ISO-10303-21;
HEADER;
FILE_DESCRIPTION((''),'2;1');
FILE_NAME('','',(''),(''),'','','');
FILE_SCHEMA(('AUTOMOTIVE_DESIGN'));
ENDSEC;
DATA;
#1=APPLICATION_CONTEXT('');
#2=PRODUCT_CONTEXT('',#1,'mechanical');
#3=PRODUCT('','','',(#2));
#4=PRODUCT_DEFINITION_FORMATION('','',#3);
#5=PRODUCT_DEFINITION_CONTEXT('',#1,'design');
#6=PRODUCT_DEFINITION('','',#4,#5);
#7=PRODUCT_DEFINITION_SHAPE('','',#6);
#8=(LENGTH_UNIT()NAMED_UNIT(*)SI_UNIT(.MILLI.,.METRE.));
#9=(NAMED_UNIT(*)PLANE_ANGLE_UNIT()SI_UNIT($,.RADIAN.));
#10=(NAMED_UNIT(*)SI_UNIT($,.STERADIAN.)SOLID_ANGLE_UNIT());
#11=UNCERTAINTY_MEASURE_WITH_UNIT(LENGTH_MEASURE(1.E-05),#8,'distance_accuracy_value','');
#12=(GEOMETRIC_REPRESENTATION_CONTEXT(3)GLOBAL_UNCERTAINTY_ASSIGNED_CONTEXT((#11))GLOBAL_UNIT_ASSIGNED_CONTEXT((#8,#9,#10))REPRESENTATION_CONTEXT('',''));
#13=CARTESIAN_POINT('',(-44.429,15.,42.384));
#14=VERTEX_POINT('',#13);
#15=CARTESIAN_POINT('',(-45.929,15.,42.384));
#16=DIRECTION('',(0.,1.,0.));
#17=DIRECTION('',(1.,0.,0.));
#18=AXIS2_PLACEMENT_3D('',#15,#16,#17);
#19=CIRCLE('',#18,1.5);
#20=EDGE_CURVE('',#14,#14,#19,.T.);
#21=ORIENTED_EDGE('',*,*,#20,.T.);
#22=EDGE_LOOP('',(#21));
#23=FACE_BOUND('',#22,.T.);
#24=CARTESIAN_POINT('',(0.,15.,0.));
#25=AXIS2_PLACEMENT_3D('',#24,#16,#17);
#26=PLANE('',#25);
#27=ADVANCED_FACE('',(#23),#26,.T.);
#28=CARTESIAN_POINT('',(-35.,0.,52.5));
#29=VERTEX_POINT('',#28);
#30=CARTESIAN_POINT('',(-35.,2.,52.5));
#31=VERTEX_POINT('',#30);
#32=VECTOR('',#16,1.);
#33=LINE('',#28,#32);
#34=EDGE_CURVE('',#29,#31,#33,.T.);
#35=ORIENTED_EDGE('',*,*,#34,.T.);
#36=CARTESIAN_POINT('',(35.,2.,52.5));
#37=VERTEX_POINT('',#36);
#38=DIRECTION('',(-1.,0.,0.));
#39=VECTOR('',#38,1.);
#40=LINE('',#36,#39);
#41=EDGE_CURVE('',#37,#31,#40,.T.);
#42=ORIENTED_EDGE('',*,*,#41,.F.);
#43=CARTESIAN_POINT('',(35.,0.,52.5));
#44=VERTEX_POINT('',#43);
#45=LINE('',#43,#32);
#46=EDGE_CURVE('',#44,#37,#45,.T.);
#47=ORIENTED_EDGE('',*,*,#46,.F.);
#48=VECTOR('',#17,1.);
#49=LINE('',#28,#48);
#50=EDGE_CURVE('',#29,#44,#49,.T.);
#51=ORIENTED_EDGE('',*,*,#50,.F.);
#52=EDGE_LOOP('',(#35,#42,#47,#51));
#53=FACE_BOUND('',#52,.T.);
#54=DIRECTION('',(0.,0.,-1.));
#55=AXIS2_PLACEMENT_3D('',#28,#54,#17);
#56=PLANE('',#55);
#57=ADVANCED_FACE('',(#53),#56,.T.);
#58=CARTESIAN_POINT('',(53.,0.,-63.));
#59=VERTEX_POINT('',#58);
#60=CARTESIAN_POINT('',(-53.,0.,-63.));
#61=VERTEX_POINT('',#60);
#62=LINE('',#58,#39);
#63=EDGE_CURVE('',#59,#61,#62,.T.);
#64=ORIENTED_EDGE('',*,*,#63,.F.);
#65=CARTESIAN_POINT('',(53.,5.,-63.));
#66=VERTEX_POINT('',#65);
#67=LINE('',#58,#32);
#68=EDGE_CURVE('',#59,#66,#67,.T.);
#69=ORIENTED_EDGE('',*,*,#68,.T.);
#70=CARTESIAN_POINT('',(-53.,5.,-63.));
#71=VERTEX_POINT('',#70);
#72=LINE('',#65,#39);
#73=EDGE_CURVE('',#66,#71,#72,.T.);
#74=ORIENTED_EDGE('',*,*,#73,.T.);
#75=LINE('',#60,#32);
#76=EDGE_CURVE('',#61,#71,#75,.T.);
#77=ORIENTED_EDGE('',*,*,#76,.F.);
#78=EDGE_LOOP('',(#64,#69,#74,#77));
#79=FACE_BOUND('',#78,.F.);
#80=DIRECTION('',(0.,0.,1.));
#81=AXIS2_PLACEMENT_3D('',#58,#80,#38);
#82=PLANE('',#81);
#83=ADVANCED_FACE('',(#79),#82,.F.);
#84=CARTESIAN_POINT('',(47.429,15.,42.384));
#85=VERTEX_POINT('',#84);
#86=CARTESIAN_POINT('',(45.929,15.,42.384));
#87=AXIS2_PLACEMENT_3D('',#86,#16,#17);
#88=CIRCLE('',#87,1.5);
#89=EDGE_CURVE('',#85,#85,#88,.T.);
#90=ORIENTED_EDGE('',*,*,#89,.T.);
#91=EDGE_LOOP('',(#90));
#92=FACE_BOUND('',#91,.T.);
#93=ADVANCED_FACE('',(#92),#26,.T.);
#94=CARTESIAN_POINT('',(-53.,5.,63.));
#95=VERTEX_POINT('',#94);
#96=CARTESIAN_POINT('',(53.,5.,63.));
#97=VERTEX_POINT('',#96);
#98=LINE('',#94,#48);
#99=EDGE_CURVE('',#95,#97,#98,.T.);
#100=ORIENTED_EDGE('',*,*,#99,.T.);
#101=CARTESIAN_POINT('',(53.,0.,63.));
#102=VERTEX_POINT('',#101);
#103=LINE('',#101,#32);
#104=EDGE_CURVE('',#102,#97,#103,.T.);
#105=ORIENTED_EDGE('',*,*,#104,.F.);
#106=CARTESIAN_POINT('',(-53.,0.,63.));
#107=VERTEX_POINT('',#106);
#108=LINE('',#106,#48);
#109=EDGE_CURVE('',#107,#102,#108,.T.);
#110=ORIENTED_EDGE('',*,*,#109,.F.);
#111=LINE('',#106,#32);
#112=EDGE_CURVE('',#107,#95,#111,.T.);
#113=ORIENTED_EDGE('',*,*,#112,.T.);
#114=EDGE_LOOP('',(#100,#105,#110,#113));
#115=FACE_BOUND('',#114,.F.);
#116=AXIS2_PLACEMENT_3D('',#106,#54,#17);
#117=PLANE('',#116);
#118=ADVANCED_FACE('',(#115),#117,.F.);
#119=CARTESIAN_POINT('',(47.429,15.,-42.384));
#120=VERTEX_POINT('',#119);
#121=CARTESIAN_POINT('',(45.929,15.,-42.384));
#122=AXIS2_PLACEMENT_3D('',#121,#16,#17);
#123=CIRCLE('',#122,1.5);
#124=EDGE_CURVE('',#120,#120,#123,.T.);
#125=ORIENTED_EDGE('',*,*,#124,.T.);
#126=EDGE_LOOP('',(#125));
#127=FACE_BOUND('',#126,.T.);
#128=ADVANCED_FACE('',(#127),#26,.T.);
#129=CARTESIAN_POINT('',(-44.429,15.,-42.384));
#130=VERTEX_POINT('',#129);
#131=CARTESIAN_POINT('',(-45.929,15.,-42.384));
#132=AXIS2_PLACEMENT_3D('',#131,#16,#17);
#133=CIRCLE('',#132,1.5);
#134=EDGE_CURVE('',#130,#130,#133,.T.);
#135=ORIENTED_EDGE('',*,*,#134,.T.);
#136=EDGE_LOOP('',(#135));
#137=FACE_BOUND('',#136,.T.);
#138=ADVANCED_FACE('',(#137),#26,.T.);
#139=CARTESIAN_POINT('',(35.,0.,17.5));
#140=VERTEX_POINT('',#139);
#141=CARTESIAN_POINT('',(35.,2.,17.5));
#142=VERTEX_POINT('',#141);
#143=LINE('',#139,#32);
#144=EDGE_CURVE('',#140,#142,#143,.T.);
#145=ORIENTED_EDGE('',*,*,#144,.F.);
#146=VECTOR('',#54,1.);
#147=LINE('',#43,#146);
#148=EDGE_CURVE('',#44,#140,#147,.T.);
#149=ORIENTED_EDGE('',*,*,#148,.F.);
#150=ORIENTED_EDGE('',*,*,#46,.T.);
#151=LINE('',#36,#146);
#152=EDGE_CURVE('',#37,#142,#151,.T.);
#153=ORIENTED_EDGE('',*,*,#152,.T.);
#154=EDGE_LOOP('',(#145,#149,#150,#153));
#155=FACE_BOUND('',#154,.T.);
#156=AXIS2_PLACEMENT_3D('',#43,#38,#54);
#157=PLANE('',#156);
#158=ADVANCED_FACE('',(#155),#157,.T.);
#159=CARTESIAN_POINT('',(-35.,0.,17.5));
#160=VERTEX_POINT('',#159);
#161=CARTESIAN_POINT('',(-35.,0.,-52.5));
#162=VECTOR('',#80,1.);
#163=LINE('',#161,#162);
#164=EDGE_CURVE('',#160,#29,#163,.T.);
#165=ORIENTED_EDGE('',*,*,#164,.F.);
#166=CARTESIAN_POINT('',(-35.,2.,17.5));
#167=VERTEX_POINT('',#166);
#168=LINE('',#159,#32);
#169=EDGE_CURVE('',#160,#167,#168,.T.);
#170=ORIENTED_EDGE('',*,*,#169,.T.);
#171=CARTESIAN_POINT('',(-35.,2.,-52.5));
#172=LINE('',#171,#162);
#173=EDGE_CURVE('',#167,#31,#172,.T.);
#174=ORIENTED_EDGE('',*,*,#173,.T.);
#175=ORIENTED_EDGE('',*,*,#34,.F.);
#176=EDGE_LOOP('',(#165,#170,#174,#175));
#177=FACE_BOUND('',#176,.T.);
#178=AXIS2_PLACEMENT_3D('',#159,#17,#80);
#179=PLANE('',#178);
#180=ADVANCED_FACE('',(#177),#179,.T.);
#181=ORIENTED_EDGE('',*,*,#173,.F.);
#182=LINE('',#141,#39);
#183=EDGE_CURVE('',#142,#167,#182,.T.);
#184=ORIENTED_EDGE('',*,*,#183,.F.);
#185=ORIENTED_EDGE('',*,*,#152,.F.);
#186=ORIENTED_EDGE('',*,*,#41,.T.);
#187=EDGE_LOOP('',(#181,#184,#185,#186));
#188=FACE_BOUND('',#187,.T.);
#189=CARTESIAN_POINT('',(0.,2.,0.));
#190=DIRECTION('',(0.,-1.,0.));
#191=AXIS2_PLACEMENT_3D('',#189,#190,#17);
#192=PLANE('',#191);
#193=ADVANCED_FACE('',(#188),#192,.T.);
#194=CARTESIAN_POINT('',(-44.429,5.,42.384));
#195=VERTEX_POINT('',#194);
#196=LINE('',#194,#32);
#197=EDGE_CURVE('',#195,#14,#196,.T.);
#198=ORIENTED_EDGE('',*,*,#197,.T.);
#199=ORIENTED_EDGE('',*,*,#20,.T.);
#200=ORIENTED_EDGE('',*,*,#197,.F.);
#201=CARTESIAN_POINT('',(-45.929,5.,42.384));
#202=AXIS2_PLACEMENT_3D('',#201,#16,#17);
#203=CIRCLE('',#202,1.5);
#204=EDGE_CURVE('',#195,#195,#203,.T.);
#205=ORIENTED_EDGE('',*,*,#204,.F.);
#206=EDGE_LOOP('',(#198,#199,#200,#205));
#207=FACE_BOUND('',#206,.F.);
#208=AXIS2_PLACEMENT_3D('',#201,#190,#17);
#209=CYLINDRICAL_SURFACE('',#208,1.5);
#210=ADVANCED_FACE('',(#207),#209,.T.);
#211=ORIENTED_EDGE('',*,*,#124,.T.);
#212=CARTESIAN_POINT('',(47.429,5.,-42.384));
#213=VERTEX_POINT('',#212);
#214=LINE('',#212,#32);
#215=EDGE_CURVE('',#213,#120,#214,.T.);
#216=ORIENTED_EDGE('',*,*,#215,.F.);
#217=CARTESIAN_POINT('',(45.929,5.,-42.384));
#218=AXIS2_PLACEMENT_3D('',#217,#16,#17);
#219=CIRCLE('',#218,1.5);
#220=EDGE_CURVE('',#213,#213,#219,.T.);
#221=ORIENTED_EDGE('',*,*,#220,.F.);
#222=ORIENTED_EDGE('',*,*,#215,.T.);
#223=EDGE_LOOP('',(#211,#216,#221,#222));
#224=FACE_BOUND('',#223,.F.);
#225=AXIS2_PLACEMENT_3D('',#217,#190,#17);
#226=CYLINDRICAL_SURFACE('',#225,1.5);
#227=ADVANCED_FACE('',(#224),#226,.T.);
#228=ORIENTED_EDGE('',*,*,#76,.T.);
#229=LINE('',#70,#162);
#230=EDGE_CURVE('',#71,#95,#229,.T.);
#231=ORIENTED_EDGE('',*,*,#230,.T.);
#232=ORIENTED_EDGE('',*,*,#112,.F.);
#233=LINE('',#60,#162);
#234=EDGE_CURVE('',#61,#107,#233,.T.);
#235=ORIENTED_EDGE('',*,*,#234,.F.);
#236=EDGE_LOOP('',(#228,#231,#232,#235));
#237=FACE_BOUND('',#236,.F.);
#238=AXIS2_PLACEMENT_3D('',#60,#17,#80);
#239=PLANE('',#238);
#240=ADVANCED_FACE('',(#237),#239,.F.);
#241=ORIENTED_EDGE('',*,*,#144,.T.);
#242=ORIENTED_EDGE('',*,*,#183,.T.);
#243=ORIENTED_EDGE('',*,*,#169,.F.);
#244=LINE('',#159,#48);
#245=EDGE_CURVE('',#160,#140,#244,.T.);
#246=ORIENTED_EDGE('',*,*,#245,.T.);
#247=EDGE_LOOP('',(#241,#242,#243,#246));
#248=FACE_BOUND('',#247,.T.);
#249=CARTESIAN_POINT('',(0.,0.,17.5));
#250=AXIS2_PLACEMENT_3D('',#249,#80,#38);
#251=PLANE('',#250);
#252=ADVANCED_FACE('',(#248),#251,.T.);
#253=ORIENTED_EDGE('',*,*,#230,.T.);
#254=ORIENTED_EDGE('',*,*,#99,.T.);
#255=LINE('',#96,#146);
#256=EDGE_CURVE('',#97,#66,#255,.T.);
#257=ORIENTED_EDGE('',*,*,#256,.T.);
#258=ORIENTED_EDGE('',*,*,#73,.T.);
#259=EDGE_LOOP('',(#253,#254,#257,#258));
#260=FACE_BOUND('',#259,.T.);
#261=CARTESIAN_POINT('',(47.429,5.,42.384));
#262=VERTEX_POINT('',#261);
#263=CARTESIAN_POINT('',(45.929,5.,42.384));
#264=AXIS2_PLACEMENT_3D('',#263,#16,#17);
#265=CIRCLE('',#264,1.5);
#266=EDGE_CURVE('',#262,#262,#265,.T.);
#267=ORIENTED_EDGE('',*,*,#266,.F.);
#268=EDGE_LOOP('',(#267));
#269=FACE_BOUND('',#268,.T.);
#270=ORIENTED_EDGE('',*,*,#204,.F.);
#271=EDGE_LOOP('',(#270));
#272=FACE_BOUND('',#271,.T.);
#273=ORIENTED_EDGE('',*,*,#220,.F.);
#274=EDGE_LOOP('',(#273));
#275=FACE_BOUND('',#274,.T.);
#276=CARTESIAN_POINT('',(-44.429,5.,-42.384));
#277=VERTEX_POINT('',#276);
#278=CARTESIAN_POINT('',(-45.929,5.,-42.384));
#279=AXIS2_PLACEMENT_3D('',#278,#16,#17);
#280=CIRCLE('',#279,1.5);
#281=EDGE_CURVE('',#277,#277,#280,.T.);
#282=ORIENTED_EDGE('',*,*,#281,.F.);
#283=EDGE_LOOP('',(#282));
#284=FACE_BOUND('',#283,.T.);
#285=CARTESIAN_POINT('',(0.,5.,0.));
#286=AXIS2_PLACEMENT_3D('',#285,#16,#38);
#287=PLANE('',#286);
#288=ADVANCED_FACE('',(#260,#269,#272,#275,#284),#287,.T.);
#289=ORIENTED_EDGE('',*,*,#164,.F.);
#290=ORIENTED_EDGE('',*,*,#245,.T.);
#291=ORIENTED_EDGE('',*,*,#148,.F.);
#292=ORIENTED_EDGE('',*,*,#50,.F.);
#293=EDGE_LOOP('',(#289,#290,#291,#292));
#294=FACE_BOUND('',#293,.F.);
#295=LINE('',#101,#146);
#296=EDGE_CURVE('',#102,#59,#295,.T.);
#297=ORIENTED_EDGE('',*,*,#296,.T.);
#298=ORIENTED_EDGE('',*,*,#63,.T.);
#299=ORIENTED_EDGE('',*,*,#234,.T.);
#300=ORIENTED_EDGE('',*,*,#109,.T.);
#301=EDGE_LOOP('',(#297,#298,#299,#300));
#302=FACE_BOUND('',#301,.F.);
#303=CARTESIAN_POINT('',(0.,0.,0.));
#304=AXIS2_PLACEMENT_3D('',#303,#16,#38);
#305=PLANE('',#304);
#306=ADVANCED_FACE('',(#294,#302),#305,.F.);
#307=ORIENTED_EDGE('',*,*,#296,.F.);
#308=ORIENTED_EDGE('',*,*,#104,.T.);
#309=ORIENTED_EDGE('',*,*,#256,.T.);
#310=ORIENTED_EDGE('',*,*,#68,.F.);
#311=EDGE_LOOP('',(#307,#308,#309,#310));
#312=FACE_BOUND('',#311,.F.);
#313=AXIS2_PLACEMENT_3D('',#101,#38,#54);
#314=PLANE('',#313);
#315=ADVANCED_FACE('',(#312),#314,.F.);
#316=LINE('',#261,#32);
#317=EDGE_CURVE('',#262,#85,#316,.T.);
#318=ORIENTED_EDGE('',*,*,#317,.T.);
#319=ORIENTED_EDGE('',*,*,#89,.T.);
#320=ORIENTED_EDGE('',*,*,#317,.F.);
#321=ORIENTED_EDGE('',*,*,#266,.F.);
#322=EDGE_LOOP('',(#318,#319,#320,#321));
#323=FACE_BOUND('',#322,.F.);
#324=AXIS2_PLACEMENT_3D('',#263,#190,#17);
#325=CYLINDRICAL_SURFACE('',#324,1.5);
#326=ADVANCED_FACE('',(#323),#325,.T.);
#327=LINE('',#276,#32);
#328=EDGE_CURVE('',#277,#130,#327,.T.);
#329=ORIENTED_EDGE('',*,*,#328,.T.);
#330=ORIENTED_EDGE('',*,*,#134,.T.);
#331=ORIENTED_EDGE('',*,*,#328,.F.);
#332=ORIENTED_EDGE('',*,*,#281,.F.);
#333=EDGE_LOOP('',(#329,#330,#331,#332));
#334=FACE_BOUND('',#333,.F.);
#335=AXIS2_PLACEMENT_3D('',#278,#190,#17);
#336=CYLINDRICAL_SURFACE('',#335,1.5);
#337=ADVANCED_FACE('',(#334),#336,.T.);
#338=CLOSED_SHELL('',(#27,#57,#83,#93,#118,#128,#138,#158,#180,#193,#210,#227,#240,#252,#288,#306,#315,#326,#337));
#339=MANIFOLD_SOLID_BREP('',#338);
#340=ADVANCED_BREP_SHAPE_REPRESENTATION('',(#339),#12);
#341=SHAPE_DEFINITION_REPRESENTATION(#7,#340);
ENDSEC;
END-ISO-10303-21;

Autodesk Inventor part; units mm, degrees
ref_plane "YZ Plane" through (0, 0, 0) normal (1, 0, 0) x (0, 1, 0)
ref_plane "XZ Plane" through (0, 0, 0) normal (0, 1, 0) x (-1, 0, 0)
ref_plane "XY Plane" through (0, 0, 0) normal (0, 0, 1) x (1, 0, 0)
sketch "Boceto1" plane through (0, 0, 0) normal (0, 1, 0) x (-1, 0, 0)
  line L0 (53, 63) -> (-53, 63)
  line L1 (-53, 63) -> (-53, -63)
  line L2 (-53, -63) -> (53, -63)
  line L3 (53, -63) -> (53, 63)
  point P0 (0, 0)
  point P1 (0, 63)
  dimension "d1" = 106
  dimension "d2" = 126
  dimension "d3" = 53
  dimension "d4" = 63
extrude "Extrusión1" add sketch "Boceto1" along normal blind 5
sketch "Boceto2" plane through (0, 5, 0) normal (0, 1, 0) x (1, 0, 0)
  circle A0 centre (-45.929, -42.384) radius 1.5
  line L0 (-53, -63) -> (53, -63) projected
  line L1 (-53, 63) -> (-53, -63) projected
  line L2 (-81, 0) -> (77, 0)
  line L3 (0, -130) -> (0, 128)
  circle A1 centre (-45.929, 42.384) radius 1.5
  line L4 (-53, -63) -> (-53, 63)
  circle A2 centre (45.929, -42.384) radius 1.5
  circle A3 centre (45.929, 42.384) radius 1.5
  point P0 (0, 0)
  dimension "d7" = 3
  dimension "d8" = 20.616
  dimension "d9" = 7.071
extrude "Extrusión2" add sketch "Boceto2" along normal blind 10 contours A0 | A1 | A2 | A3
sketch "Boceto3" plane through (0, 0, 0) normal (0, -1, 0) x (1, 0, 0)
  line L0 (-35, 52.5) -> (35, 52.5)
  line L1 (35, 52.5) -> (35, -52.5)
  line L2 (35, -52.5) -> (-35, -52.5)
  line L3 (-35, -52.5) -> (-35, 52.5)
  line L4 (53, -63) -> (-53, -63) projected
  line L5 (-53, 63) -> (53, 63) projected
  line L6 (53, 63) -> (53, -63) projected
  line L7 (-53, -63) -> (-53, 63) projected
  line L8 (35, 17.5) -> (-35, 17.5)
  line L9 (35, -17.5) -> (-35, -17.5)
  line L10 (0, 52.5) -> (0, -52.5)
  point P0 (0, 0)
  point P1 (0, 17.5)
  dimension "d12" = 52.5
  dimension "d13" = 126
  dimension "d14" = 106
  dimension "d15" = 52.5
  dimension "d16" = 35
  dimension "d17" = 35
  dimension "d18" = 35
  dimension "d19" = 35
  dimension "d20" = 35
extrude "Extrusión3" cut sketch "Boceto3" against normal blind 2 contours L0 L10 L8 L3 | L0 L1 L8 L10
properties part number "Tapa 0"
